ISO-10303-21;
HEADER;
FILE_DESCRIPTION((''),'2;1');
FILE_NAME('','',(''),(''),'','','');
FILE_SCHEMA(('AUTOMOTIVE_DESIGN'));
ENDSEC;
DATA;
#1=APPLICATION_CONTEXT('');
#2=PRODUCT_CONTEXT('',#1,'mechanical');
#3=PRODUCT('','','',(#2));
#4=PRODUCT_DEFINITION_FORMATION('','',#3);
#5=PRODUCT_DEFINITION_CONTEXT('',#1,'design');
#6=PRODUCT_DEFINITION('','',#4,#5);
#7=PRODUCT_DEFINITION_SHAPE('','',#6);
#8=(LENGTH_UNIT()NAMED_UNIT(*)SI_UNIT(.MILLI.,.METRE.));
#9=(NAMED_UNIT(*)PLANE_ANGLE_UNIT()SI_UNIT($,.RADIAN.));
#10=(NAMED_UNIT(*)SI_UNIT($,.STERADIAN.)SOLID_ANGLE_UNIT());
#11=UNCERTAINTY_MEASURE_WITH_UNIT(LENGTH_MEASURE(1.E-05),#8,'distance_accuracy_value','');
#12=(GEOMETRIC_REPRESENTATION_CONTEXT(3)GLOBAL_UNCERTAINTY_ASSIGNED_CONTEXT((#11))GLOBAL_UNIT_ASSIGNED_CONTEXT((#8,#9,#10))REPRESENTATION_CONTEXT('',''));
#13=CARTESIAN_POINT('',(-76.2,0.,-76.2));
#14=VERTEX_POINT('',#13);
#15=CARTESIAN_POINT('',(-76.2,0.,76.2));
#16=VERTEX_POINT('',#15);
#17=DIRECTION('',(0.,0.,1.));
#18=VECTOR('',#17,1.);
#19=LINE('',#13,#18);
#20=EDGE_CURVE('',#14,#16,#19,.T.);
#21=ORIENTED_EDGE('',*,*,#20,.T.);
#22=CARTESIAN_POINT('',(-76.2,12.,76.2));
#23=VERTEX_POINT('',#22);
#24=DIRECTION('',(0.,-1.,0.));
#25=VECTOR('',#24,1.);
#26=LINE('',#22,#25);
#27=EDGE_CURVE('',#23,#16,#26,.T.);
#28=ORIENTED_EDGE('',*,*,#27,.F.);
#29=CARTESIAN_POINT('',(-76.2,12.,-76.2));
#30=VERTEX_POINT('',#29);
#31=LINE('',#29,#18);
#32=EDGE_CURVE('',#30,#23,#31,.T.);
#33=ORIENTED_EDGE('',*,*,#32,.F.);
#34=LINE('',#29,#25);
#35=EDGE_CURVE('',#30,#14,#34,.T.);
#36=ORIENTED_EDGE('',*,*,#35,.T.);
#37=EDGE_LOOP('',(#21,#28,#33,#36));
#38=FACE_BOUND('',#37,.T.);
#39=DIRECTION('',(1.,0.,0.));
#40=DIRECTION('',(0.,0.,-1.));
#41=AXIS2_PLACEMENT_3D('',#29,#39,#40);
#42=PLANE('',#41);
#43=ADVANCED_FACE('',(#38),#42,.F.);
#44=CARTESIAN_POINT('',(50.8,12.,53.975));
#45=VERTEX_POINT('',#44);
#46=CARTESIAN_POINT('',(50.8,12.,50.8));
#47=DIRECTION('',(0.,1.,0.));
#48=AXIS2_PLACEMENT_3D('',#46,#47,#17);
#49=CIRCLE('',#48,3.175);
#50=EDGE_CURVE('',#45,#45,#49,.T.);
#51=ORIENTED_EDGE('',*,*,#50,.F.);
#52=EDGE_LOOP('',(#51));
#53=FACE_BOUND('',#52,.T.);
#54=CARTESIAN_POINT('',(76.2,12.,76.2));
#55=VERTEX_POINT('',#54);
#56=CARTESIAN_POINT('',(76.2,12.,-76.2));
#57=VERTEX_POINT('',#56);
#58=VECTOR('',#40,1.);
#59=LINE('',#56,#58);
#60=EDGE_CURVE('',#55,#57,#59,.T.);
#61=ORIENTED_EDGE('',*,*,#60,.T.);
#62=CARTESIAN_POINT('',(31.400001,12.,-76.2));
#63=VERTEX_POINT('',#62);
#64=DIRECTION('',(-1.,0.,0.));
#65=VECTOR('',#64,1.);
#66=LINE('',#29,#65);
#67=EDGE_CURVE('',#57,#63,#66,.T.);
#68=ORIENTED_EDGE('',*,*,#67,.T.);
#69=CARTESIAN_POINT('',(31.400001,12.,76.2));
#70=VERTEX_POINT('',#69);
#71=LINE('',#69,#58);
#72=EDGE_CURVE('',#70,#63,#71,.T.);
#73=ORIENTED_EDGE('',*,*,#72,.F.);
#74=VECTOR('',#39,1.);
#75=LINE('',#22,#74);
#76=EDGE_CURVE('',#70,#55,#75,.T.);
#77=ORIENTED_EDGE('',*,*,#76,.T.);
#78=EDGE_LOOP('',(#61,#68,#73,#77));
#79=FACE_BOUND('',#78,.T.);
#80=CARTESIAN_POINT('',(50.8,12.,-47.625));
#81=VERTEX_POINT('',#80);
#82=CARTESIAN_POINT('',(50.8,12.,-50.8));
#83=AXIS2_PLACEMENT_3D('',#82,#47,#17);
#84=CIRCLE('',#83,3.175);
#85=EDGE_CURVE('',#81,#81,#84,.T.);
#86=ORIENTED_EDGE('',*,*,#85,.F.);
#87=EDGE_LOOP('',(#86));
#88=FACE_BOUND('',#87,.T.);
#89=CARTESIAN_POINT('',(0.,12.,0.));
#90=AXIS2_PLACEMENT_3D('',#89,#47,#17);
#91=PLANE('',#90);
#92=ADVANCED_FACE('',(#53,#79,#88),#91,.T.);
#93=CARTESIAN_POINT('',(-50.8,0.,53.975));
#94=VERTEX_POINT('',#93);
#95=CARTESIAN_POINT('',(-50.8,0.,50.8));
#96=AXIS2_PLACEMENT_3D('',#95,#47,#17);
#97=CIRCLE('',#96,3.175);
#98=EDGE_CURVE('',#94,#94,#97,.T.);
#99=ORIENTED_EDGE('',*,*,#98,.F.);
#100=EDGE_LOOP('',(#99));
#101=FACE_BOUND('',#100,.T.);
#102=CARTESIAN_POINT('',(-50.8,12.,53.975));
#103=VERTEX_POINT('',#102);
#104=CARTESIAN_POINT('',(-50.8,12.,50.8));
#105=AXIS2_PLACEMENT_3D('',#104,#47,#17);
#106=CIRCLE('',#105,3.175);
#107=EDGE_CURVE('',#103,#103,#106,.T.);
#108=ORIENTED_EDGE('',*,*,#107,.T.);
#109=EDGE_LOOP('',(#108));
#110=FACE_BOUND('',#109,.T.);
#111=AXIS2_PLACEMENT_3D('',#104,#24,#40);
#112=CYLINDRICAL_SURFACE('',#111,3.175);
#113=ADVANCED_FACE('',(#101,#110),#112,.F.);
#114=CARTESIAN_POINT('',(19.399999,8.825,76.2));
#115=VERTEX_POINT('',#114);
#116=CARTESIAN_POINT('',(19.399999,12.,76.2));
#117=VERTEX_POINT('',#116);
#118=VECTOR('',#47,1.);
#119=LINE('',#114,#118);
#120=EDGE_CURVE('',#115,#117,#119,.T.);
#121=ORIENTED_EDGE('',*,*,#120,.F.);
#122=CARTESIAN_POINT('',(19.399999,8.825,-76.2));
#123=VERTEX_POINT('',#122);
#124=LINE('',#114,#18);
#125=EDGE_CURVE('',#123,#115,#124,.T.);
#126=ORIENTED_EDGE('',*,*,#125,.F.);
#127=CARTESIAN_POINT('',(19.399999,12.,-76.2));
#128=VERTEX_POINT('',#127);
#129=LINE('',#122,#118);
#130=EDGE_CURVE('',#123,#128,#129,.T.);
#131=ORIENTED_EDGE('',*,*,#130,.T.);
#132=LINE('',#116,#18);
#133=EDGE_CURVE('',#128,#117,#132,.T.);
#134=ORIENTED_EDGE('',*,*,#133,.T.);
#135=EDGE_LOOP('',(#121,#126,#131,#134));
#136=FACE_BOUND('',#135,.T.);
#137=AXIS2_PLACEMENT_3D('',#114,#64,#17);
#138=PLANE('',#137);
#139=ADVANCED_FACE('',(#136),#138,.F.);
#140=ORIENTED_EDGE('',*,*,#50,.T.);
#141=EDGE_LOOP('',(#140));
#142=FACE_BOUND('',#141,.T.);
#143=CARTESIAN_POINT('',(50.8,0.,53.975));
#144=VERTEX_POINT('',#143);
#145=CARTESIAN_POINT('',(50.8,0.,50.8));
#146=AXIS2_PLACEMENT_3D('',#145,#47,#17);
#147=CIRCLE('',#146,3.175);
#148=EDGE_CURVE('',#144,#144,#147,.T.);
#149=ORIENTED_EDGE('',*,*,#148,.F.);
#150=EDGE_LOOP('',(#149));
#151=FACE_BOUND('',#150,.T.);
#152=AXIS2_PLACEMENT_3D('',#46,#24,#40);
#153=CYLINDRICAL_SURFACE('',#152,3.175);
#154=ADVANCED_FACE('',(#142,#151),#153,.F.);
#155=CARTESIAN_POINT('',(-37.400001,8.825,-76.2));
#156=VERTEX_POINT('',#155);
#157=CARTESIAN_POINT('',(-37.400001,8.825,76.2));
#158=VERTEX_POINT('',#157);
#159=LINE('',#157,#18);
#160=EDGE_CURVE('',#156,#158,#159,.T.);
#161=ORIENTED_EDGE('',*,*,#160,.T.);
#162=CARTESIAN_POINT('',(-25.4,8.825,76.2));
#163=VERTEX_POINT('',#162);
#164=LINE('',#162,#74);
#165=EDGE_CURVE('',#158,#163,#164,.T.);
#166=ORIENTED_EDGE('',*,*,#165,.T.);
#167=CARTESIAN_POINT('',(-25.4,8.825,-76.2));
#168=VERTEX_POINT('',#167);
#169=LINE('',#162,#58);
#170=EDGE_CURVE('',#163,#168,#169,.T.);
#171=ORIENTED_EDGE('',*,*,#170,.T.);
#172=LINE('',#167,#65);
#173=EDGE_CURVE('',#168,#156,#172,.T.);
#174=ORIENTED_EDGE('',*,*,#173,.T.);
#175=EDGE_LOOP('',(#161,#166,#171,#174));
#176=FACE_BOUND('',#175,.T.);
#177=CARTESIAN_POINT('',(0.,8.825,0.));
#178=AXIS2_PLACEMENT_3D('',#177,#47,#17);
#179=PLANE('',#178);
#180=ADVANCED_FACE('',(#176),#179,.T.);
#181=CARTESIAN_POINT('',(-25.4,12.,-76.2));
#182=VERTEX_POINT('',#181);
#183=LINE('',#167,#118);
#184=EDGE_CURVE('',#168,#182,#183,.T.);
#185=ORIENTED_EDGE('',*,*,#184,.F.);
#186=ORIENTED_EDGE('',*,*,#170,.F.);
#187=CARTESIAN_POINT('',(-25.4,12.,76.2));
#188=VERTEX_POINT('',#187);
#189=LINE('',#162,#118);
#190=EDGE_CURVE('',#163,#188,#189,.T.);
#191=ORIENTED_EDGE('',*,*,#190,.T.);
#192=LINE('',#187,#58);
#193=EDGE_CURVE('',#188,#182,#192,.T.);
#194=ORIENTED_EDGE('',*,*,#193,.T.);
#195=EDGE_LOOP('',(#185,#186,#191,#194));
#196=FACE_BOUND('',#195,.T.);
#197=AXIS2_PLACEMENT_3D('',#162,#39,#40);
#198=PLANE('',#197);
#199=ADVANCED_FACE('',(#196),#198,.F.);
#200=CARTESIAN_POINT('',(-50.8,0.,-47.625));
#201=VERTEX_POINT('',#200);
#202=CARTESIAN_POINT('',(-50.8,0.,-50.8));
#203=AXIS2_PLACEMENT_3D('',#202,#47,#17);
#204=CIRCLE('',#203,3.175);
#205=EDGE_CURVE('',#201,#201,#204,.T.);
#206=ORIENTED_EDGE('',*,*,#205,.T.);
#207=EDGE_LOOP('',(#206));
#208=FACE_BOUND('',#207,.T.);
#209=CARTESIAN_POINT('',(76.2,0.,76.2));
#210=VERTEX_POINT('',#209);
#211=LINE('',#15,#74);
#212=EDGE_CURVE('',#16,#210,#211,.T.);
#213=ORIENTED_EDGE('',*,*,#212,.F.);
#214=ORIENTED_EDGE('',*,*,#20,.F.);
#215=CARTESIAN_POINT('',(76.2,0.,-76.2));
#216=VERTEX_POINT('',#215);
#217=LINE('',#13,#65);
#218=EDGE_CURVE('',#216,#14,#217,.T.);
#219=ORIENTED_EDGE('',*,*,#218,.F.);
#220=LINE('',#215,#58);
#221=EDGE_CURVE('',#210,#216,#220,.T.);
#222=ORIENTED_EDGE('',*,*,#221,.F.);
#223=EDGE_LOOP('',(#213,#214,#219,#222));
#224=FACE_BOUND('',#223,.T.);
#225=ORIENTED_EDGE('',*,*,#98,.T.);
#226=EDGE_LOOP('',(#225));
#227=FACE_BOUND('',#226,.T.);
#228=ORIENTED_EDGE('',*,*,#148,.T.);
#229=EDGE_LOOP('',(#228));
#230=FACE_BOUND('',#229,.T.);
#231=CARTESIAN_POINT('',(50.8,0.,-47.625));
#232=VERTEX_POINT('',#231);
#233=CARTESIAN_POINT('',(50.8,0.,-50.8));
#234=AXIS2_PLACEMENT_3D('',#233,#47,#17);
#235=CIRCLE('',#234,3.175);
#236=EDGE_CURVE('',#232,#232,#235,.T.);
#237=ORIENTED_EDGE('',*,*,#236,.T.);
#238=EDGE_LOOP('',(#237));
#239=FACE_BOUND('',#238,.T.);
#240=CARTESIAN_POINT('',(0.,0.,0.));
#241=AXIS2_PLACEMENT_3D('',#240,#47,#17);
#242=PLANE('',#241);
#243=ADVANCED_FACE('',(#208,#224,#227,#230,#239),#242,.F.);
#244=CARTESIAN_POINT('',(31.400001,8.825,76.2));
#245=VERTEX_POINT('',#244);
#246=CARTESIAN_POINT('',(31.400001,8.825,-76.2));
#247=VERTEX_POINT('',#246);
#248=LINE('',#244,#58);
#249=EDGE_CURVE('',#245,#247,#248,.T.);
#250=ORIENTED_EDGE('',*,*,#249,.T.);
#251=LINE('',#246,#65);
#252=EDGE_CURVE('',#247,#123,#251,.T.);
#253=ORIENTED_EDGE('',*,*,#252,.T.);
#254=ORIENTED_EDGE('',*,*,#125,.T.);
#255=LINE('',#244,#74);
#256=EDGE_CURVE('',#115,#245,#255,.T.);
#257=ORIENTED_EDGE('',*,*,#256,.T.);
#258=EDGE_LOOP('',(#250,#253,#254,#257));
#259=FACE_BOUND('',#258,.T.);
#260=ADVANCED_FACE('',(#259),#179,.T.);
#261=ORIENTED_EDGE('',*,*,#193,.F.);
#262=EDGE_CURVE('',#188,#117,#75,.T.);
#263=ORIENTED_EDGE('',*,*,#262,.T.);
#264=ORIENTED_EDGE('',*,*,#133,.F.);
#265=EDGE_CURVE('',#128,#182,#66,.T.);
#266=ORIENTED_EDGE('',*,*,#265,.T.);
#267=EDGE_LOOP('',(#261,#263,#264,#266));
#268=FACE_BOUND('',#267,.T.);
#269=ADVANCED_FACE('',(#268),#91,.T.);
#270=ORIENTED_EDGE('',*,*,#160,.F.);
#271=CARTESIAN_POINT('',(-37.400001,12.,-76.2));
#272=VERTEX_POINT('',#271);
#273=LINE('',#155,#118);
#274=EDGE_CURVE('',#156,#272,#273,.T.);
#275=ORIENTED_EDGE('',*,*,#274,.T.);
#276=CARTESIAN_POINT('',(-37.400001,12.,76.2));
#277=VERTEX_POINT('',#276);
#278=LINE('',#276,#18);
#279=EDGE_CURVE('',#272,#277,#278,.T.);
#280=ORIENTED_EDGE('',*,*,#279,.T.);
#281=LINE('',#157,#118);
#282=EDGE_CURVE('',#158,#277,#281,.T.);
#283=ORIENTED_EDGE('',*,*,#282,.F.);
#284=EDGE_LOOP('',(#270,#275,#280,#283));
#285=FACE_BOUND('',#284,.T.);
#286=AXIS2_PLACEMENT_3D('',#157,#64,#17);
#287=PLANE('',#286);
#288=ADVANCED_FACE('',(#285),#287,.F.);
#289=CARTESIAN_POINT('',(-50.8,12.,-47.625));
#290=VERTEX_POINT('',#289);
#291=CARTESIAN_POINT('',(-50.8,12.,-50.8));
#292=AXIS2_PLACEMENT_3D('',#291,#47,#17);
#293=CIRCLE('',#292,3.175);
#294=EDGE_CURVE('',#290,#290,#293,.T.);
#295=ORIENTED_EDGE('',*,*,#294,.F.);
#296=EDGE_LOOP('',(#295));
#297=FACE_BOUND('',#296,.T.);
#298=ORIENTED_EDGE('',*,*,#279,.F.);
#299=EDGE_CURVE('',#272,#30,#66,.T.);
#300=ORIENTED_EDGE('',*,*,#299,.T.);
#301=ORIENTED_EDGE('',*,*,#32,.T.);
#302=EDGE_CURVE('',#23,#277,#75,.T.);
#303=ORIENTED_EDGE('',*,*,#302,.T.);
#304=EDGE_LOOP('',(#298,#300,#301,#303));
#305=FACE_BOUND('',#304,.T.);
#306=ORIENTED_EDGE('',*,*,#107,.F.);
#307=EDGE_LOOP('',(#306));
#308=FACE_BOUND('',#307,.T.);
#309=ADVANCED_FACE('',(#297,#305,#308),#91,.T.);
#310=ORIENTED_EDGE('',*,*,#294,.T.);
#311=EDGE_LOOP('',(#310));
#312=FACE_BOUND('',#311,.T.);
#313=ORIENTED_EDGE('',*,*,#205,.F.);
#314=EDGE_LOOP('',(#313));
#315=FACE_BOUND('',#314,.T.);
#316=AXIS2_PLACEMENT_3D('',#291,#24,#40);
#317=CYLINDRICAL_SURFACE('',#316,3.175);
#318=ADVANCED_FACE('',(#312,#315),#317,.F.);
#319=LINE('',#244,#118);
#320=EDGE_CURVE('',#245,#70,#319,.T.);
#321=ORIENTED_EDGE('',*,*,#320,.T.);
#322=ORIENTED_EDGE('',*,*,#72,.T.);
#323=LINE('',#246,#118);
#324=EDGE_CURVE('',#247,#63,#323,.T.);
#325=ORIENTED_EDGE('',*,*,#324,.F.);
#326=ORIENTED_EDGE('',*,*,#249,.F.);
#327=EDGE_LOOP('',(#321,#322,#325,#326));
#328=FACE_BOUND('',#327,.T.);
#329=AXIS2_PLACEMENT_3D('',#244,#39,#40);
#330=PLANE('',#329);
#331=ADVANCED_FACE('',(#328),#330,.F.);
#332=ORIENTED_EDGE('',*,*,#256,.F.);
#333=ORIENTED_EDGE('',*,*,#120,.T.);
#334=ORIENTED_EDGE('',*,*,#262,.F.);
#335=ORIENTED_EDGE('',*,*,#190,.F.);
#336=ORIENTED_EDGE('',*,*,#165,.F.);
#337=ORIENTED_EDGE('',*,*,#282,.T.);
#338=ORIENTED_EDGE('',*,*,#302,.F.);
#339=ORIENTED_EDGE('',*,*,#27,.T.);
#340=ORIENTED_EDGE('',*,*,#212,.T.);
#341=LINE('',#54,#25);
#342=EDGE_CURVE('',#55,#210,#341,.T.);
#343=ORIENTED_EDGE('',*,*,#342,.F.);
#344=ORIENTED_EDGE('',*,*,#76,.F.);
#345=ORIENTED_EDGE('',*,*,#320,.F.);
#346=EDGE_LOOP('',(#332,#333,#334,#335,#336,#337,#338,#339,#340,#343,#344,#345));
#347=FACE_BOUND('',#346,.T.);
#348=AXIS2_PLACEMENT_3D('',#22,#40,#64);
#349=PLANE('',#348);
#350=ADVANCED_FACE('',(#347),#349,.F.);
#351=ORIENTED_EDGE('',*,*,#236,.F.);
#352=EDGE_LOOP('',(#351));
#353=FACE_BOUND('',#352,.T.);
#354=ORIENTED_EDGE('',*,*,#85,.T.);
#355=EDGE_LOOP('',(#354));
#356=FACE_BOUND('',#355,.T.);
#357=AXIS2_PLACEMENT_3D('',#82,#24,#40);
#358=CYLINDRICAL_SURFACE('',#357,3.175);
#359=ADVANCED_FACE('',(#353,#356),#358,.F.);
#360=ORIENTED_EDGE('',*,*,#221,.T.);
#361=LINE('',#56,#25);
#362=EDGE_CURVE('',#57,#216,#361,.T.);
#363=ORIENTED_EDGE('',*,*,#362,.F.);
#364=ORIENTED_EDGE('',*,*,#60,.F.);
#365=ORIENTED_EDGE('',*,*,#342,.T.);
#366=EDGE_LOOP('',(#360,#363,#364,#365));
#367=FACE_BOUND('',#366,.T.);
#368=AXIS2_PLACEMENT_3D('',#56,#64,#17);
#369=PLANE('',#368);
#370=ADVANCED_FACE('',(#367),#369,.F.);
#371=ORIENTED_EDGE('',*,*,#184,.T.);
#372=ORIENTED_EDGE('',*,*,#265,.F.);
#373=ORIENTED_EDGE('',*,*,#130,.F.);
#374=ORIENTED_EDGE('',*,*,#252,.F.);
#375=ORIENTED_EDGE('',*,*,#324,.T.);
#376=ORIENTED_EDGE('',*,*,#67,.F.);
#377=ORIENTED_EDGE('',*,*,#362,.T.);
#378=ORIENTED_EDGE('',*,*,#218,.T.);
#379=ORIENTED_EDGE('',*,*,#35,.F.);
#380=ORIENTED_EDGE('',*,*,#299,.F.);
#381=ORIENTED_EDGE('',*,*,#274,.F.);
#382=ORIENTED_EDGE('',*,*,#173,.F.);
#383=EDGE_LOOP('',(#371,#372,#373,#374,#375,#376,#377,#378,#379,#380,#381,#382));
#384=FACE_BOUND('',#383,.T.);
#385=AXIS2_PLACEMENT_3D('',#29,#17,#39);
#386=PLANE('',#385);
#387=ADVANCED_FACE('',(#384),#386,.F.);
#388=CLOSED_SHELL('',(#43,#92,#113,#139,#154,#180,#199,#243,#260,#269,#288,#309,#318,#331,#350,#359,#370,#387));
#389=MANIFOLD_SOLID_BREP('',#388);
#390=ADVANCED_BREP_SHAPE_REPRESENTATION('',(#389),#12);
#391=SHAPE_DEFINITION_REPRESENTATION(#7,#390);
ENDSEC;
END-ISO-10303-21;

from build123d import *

# Parameters (mm, degrees)
SKETCH1_W           = 152.4
SKETCH1_H           = 152.4
SKETCH1_R           = 3.175
BOSS_EXTRUDE1_DEPTH = 12
SKETCH2_W           = 12.0000014
SKETCH2_H           = 152.4
CUT_EXTRUDE1_DEPTH  = 3.175


with BuildPart() as part:
    # Sketch1 → Boss-Extrude1 (new body)
    with BuildSketch(Plane(origin=(0, 0, 0), x_dir=(1, 0, 0), z_dir=(0, 1, 0))):
        Rectangle(SKETCH1_W, SKETCH1_H)
        with Locations(Location((-50.8, 50.8, 0), (0, 0, 270))):
            Circle(SKETCH1_R, mode=Mode.SUBTRACT)
        with Locations(Location((50.8, 50.8, 0), (0, 0, 270))):
            Circle(SKETCH1_R, mode=Mode.SUBTRACT)
        with Locations(Location((-50.8, -50.8, 0), (0, 0, 270))):
            Circle(SKETCH1_R, mode=Mode.SUBTRACT)
        with Locations(Location((50.8, -50.8, 0), (0, 0, 270))):
            Circle(SKETCH1_R, mode=Mode.SUBTRACT)
    extrude(amount=BOSS_EXTRUDE1_DEPTH)

    # Sketch2 → Cut-Extrude1 (cut)
    with BuildSketch(Plane(origin=(0, 12, 0), x_dir=(1, 0, 0), z_dir=(0, 1, 0))):
        with Locations((-31.4000007, 0)):
            Rectangle(SKETCH2_W, SKETCH2_H)
        with Locations((25.4, 0)):
            Rectangle(SKETCH2_W, SKETCH2_H)
    extrude(amount=-CUT_EXTRUDE1_DEPTH, mode=Mode.SUBTRACT)


solid = part.part
